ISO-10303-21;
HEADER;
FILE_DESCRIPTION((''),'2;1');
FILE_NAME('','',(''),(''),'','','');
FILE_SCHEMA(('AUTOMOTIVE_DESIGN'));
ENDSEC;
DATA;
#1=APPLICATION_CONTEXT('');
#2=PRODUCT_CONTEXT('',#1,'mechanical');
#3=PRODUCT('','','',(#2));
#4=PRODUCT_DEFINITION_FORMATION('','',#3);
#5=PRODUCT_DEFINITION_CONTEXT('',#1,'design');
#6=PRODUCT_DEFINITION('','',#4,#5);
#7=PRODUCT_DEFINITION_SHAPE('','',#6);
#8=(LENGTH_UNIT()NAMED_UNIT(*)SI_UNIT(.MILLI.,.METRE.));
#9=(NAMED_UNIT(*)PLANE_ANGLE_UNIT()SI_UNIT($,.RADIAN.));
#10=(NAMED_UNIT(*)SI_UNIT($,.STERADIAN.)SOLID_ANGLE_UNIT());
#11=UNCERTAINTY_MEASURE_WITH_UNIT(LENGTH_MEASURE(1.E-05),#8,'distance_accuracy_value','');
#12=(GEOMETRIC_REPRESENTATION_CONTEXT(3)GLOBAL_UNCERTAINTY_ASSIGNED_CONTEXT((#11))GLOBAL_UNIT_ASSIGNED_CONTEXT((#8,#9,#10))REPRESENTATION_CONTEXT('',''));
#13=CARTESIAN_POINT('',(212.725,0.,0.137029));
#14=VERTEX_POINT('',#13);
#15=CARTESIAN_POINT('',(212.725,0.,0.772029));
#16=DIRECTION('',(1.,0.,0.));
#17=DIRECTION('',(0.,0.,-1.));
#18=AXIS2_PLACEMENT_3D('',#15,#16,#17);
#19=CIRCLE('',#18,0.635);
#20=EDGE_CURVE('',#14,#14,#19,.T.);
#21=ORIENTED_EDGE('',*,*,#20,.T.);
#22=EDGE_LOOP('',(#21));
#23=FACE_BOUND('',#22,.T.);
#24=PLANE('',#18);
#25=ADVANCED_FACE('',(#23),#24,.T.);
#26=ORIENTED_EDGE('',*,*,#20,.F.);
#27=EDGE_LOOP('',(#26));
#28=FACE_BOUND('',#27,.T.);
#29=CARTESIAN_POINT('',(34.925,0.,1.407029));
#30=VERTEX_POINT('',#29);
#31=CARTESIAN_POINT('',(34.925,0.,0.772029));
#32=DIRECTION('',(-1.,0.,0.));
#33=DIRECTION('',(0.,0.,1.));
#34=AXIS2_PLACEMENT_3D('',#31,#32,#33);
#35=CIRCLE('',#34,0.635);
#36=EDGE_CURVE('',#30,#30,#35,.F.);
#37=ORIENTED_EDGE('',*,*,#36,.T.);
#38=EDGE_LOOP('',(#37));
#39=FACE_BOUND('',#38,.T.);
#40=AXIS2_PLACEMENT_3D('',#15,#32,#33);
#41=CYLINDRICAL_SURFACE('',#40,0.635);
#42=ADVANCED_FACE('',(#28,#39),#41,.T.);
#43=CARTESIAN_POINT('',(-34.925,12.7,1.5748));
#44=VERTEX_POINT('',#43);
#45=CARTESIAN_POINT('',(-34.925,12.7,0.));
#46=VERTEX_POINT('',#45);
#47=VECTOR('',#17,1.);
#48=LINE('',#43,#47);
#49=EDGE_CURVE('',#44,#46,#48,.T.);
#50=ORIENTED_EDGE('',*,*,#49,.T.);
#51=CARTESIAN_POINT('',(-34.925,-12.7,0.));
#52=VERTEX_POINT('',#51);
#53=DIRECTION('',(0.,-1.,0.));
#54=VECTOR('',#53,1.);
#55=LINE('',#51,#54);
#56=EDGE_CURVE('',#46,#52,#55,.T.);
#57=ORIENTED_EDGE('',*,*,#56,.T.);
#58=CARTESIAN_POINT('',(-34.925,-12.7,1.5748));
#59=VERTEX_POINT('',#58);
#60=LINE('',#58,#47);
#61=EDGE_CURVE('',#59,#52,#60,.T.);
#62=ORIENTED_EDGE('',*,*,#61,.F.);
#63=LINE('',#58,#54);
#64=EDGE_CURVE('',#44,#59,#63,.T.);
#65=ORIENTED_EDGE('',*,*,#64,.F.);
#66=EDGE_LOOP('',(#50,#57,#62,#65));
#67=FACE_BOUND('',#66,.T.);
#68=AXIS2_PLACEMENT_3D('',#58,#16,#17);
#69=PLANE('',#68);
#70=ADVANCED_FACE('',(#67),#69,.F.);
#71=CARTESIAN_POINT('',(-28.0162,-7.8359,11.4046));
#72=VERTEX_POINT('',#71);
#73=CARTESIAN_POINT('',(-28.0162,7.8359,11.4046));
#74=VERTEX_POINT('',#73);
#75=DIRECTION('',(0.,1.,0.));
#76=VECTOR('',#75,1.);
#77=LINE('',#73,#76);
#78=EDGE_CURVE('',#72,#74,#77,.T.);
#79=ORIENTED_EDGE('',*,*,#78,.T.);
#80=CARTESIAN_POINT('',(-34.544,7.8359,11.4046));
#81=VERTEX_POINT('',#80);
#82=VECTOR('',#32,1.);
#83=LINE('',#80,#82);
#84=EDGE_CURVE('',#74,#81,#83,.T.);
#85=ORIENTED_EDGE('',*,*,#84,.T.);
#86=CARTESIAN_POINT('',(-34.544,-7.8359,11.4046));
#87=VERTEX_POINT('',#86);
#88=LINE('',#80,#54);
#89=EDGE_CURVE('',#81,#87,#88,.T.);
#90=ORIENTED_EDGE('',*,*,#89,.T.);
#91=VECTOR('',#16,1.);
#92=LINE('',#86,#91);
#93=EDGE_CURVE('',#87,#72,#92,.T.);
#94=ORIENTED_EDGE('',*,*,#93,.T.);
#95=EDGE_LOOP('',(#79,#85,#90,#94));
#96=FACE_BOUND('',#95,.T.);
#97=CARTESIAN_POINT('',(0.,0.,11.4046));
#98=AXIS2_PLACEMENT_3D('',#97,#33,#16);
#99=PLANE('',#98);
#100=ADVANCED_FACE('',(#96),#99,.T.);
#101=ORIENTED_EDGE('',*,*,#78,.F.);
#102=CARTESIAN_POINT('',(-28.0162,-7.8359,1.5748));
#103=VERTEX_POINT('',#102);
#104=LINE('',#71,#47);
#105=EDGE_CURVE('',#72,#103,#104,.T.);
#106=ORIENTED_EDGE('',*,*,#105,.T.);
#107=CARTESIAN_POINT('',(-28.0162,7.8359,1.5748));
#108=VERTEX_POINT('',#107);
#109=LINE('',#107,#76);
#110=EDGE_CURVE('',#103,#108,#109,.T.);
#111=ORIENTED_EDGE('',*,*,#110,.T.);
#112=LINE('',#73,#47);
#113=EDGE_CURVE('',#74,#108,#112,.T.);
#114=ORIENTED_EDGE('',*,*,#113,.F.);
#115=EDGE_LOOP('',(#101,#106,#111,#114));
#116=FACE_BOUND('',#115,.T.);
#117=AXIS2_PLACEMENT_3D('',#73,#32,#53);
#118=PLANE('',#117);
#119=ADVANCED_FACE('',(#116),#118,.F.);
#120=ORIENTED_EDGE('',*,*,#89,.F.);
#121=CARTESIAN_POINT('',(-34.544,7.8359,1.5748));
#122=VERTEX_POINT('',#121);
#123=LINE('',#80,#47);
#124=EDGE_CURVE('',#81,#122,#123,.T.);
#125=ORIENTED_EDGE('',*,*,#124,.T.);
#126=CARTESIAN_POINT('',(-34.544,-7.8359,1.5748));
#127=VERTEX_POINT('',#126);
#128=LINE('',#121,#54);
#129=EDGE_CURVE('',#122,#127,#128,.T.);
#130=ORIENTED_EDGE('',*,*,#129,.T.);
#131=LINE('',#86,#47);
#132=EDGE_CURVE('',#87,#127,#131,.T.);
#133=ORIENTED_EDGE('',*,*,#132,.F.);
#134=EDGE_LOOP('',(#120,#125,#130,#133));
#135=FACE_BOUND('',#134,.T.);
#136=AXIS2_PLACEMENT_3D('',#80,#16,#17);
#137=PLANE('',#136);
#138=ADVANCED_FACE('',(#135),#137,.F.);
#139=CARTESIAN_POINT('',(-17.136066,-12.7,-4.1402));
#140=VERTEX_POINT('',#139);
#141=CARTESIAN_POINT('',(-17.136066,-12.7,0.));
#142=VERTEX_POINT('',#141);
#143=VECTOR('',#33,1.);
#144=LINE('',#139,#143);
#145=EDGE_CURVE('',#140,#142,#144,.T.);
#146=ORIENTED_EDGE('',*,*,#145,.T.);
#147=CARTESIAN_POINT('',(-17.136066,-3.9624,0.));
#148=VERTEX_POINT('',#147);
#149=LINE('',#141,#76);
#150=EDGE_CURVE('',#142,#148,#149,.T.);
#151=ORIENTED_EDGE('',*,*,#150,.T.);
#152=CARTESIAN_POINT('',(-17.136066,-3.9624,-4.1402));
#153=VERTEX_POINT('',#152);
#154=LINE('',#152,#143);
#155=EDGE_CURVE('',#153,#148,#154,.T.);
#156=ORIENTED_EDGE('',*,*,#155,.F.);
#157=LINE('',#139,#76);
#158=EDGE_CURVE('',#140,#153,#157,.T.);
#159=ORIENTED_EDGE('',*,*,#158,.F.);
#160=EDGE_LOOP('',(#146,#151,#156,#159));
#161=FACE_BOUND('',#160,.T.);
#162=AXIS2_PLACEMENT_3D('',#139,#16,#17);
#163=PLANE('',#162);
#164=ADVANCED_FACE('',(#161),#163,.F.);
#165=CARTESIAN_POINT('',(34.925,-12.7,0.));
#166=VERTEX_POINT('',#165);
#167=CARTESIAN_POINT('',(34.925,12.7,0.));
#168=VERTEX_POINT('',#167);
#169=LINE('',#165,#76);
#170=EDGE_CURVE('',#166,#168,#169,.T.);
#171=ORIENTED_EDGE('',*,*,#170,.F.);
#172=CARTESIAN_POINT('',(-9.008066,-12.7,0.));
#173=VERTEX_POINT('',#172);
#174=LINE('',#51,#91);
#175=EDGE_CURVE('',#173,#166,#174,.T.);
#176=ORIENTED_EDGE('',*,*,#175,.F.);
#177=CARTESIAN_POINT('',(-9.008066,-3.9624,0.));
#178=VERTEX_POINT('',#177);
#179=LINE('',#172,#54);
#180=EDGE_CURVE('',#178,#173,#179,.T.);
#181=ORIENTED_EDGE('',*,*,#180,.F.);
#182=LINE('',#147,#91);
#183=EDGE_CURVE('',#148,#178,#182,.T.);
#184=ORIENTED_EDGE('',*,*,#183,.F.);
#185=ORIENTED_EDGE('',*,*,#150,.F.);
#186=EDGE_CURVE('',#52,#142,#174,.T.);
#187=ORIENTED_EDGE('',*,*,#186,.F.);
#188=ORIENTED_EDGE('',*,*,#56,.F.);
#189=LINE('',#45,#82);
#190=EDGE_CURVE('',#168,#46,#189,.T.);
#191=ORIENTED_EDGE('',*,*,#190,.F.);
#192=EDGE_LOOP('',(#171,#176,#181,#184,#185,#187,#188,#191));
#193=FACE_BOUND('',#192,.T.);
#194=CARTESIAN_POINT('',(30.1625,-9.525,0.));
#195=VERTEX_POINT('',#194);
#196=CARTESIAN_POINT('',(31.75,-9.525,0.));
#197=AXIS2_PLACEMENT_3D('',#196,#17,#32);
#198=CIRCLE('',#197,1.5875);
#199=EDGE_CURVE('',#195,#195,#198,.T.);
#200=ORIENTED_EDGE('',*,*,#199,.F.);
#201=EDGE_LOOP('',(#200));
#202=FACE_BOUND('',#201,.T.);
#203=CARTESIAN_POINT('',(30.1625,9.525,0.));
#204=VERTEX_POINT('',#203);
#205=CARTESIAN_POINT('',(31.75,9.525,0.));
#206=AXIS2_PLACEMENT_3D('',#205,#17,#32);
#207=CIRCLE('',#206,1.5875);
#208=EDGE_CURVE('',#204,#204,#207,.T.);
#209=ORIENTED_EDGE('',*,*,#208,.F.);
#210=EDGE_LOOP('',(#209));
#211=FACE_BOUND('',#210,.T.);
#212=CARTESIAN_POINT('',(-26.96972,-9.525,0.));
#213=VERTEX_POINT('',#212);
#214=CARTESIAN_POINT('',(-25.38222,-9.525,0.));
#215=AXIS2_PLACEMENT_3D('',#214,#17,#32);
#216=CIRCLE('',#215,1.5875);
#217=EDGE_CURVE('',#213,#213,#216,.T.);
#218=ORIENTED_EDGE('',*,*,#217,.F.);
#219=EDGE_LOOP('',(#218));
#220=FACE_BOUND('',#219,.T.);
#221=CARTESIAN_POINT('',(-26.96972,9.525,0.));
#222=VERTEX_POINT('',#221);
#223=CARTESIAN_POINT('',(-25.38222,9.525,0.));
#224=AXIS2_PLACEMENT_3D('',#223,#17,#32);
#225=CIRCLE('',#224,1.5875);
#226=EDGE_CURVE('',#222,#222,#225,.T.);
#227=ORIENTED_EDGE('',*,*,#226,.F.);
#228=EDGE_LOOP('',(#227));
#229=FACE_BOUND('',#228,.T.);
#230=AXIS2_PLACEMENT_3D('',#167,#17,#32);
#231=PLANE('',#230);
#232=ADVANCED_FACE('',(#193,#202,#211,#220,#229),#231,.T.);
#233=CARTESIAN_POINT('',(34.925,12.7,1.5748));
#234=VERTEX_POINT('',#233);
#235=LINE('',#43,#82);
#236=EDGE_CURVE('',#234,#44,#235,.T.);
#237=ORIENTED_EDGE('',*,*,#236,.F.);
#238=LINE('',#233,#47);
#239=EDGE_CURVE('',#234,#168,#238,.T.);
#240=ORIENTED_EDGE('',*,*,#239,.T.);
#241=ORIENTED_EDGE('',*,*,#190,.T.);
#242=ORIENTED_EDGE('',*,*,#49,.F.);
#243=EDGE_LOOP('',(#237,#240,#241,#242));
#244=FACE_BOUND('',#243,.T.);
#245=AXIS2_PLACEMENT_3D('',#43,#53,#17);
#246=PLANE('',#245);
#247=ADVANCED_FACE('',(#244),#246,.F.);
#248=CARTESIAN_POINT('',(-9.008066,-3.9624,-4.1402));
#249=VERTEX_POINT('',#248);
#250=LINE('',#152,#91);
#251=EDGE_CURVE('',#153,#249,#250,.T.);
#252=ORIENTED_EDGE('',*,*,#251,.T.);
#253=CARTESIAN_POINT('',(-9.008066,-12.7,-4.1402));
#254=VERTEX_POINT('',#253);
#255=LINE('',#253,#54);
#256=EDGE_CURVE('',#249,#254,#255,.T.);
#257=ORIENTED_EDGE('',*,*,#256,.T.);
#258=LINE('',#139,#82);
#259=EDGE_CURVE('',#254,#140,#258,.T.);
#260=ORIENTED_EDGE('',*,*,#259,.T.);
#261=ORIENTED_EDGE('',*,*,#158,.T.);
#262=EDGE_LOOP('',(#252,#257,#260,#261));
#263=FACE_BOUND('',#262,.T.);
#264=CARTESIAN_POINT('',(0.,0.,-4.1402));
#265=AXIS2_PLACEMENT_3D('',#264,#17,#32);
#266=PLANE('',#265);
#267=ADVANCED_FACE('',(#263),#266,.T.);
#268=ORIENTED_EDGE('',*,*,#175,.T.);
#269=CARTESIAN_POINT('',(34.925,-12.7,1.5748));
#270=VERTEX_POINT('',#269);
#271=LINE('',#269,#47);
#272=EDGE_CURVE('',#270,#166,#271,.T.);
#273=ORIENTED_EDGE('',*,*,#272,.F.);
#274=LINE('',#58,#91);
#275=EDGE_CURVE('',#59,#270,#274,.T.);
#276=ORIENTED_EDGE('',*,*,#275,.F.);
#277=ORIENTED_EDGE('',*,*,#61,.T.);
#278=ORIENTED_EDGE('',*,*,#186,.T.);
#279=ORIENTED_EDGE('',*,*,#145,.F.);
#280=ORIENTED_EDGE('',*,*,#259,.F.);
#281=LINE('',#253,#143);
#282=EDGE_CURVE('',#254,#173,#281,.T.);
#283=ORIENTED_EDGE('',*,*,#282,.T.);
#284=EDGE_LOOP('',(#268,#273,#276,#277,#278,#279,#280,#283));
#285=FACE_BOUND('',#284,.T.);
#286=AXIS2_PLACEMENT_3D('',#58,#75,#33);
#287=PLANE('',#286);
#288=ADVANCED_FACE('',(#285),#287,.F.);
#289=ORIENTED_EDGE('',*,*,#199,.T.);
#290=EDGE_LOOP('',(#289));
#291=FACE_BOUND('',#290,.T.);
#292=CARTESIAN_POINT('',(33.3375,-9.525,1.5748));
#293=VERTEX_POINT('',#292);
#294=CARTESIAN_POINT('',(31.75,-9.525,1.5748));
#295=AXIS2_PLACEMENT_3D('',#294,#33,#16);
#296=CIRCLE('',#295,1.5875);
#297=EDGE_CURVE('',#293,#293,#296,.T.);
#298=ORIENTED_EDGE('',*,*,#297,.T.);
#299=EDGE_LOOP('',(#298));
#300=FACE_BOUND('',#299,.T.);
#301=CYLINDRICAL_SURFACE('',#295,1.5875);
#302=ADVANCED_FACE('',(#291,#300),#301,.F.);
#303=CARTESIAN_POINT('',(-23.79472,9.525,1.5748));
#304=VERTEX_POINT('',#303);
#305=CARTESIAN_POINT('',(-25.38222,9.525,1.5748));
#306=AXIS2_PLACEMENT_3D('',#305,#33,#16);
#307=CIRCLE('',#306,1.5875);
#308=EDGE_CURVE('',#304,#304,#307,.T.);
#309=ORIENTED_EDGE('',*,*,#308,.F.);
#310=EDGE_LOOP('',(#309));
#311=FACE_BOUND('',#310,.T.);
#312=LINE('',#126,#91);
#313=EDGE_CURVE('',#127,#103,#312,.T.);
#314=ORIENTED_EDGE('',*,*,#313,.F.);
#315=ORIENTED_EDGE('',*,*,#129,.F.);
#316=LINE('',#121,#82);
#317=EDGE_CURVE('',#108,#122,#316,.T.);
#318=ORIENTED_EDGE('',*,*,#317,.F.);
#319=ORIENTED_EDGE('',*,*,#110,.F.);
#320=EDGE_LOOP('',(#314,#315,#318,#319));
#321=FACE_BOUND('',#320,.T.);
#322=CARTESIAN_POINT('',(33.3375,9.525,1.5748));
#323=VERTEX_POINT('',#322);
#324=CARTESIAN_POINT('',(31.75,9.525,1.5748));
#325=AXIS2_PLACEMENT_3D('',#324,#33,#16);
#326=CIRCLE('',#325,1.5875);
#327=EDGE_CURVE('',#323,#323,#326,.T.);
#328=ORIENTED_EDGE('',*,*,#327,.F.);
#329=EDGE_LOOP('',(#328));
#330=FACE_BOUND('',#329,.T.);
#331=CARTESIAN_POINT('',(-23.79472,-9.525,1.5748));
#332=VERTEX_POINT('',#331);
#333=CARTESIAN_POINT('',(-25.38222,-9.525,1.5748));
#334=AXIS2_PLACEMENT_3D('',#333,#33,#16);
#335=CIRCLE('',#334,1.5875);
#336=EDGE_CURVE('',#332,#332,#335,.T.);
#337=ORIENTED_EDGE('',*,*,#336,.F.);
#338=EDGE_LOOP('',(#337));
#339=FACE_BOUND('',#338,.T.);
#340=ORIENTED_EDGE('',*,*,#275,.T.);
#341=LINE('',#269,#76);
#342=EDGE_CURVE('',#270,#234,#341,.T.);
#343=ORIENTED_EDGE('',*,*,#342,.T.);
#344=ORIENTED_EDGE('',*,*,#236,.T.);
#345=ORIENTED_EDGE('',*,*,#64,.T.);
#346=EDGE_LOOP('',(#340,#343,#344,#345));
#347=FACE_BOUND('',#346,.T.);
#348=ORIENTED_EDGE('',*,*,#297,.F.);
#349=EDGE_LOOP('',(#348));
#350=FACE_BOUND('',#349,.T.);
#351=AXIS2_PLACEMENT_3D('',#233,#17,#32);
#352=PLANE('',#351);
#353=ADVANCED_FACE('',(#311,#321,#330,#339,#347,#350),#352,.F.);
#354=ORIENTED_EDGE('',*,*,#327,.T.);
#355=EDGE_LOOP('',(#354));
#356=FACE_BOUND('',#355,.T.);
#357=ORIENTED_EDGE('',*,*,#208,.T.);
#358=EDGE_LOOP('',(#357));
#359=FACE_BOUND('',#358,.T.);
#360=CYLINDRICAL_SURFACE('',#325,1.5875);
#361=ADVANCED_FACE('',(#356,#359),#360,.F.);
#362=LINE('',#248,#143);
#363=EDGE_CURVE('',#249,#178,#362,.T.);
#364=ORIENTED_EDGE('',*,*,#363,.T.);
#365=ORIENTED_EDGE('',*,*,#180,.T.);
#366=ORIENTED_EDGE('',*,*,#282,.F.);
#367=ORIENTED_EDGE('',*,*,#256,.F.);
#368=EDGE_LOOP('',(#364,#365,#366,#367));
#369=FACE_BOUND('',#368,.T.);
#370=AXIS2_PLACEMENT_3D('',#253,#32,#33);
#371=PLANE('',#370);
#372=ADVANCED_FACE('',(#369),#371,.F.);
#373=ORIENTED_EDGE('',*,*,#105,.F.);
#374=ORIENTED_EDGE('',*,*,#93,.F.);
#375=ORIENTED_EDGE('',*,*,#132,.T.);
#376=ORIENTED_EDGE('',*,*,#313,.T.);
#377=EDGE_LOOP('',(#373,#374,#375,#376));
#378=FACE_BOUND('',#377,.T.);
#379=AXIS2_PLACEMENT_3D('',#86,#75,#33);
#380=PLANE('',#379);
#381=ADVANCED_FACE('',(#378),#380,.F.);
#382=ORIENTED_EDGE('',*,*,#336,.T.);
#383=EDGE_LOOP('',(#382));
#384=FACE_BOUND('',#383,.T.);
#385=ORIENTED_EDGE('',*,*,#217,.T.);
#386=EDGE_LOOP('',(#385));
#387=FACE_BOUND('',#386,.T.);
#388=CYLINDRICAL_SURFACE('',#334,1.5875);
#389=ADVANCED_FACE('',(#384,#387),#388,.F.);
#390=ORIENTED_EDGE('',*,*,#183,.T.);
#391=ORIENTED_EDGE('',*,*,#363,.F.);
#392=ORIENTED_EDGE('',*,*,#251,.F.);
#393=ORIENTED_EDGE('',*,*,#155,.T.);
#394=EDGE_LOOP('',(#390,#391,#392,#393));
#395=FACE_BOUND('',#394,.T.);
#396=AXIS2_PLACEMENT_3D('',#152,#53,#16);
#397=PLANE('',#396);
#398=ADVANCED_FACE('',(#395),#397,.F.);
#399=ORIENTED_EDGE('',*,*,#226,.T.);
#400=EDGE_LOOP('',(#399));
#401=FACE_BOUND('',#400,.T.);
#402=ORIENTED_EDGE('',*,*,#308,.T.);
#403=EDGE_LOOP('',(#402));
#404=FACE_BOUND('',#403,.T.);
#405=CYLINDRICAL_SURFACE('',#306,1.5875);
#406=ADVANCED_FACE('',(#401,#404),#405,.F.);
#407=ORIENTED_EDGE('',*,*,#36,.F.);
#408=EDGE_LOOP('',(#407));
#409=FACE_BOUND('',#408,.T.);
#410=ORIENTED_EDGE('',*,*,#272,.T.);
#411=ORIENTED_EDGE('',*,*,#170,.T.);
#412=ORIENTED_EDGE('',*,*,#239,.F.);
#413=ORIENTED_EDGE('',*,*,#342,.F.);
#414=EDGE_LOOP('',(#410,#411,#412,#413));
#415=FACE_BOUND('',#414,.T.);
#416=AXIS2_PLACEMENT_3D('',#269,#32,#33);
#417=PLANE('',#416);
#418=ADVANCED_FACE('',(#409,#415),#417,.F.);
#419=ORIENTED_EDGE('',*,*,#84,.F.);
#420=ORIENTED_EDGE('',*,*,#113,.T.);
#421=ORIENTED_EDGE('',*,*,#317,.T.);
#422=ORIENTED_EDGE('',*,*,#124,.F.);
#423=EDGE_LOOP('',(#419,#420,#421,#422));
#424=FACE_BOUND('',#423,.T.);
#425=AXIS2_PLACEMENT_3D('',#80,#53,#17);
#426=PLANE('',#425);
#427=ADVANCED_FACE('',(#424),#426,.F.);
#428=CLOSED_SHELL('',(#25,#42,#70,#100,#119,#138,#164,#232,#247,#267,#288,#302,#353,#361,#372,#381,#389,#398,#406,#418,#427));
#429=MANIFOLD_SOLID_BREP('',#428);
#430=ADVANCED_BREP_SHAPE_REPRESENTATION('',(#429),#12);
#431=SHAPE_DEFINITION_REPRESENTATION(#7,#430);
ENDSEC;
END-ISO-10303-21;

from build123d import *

# Parameters (mm, degrees)
SKETCH1_W                             = 69.85
SKETCH1_H                             = 25.4
EXTRUDE1_DEPTH                        = 1.5748
F_1_8_0_125_DIAMETER_HOLE1_AT_2_COUNT = 2
F_1_8_0_125_DIAMETER_HOLE1_AT_2_PITCH = 57.13222
SKETCH4_R                             = 0.635
BOSS_EXTRUDE1_DEPTH                   = 177.8
SKETCH5_W                             = 8.128
SKETCH5_H                             = 8.7376
USB_CONNECTOR_DEPTH                   = 4.1402
SKETCH8_W                             = 6.5278
SKETCH8_H                             = 15.6718
BOSS_EXTRUDE3_DEPTH                   = 9.8298


with BuildPart() as part:
    # Sketch1 → Extrude1 (new body)
    with BuildSketch(Plane.XY):
        Rectangle(SKETCH1_W, SKETCH1_H)
    extrude(amount=EXTRUDE1_DEPTH)

    # Sketch3 → 1/8 (0.125) Diameter Hole1 (revolve, cut)
    with BuildSketch(Plane(origin=(-25.38222, 9.525, 1.5748), x_dir=(0, -1, 0), z_dir=(1, 0, 0))):
        Polygon((0, 0), (0, 16.955866233), (1.5875, 16.002), (1.5875, 0), align=None)
    f_1_8_0_125_diameter_hole1 = revolve(axis=Axis((-25.38222, 9.525, 7.9248), (0, 0, -1)), mode=Mode.SUBTRACT)

    # 1/8 (0.125) Diameter Hole1 at 2: 1/8 (0.125) Diameter Hole1 ×2
    with Locations(*[(i * F_1_8_0_125_DIAMETER_HOLE1_AT_2_PITCH, 0, 0) for i in range(1, F_1_8_0_125_DIAMETER_HOLE1_AT_2_COUNT)]):
        add(f_1_8_0_125_diameter_hole1, mode=Mode.SUBTRACT)

    # Mirror1: 1/8 (0.125) Diameter Hole1 across plane
    add(f_1_8_0_125_diameter_hole1.mirror(Plane.ZX), mode=Mode.SUBTRACT)

    # Mirror1 copy 1 sketch → Mirror1 copy 1 (revolve, cut)
    with BuildSketch(Plane(origin=(31.75, -9.525, 1.5748), x_dir=(0, 1, 0), z_dir=(1, 0, 0))):
        Polygon((0, 0), (0, -16.955866233), (1.5875, -16.002), (1.5875, 0), align=None)
    revolve(axis=Axis((31.75, -9.525, 7.9248), (0, 0, 1)), mode=Mode.SUBTRACT)

    # Sketch4 → Boss-Extrude1 (add)
    with BuildSketch(Plane(origin=(34.925, 0, 0), x_dir=(0, 0, -1), z_dir=(1, 0, 0))):
        with Locations(Location((-0.772028936, 0, 0), (0, 0, 180))):
            Circle(SKETCH4_R)
    extrude(amount=BOSS_EXTRUDE1_DEPTH)

    # Sketch5 → USB Connector (add)
    with BuildSketch(Plane(origin=(0, 0, 0), x_dir=(-1, 0, 0), z_dir=(0, 0, -1))):
        with Locations((13.072066229, -8.3312)):
            Rectangle(SKETCH5_W, SKETCH5_H)
    extrude(amount=USB_CONNECTOR_DEPTH)

    # Sketch8 → Boss-Extrude3 (add)
    with BuildSketch(Plane.XY.offset(1.5748)):
        with Locations((-31.2801, 0)):
            Rectangle(SKETCH8_W, SKETCH8_H)
    extrude(amount=BOSS_EXTRUDE3_DEPTH)


solid = part.part
